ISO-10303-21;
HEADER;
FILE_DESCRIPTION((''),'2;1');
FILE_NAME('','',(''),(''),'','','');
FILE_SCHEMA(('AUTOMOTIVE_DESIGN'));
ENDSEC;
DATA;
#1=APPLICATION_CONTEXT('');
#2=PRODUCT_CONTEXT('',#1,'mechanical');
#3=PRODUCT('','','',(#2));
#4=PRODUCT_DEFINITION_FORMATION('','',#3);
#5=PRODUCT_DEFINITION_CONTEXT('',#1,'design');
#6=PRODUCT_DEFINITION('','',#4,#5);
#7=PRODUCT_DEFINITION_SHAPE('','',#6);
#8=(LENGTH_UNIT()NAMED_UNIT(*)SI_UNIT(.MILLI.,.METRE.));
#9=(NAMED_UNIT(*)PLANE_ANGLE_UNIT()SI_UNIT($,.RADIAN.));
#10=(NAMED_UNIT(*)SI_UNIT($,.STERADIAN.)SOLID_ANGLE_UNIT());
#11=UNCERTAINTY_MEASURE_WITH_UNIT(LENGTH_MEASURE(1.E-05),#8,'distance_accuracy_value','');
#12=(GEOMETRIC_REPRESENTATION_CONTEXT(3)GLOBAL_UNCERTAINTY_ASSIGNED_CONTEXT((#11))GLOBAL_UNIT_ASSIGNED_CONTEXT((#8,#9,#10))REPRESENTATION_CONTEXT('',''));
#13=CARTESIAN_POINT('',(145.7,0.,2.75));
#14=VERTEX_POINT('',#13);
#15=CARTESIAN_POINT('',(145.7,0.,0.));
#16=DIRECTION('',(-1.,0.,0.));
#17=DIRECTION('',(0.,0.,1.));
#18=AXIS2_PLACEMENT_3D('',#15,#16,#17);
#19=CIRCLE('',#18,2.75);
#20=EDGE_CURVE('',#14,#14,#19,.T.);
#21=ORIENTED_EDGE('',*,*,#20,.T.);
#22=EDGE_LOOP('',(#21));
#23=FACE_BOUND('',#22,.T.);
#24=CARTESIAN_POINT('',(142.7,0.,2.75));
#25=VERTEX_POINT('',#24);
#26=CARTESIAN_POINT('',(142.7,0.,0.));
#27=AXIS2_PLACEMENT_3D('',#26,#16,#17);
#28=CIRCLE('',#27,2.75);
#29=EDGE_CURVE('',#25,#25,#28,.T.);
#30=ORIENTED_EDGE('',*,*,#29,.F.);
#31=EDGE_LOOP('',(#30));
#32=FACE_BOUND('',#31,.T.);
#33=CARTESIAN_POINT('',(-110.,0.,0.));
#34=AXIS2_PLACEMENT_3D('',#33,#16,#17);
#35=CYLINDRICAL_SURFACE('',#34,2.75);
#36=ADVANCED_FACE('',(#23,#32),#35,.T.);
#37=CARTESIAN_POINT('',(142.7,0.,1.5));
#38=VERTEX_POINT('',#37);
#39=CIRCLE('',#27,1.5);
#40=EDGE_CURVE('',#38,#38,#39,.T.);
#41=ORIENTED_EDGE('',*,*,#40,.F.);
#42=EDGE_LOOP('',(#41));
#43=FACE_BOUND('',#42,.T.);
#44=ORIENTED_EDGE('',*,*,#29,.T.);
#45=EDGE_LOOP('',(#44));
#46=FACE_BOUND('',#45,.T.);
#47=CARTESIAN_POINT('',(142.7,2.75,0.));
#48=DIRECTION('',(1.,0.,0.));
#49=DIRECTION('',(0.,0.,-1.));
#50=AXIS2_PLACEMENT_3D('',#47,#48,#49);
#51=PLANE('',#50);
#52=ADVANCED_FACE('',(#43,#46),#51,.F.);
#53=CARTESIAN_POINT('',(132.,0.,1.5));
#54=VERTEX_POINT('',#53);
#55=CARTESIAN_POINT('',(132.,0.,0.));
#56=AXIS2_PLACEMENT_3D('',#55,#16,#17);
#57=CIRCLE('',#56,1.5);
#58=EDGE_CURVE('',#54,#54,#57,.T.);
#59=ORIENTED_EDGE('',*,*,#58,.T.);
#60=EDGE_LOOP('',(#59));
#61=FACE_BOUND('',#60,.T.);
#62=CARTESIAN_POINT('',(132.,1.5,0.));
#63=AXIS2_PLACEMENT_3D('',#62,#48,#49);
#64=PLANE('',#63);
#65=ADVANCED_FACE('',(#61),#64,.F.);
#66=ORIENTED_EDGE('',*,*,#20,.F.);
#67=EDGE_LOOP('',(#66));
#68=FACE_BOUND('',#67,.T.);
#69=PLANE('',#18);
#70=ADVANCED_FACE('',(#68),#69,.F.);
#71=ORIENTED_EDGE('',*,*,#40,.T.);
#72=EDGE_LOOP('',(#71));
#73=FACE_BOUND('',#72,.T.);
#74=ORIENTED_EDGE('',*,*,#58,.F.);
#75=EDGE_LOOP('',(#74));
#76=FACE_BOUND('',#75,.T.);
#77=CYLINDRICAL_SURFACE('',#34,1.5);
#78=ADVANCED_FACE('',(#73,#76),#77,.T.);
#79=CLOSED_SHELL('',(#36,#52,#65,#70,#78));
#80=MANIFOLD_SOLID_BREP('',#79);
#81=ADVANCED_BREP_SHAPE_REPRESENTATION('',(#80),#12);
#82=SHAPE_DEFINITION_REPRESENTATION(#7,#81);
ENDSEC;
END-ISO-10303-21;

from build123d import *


with BuildPart() as part:
    # Axial profile (mm) → Full revolution (revolve)
    with BuildSketch(Plane.XY, mode=Mode.PRIVATE) as full_revolution_sk:
        Polygon((132, 0), (145.7, 0), (145.7, 2.75), (142.7, 2.75), (142.7, 1.5), (132, 1.5), align=None)
    revolve(full_revolution_sk.sketch.rotate(Axis((-110, 0, 0), (1, 0, 0)), 90), axis=Axis((-110, 0, 0), (1, 0, 0)))


solid = part.part
